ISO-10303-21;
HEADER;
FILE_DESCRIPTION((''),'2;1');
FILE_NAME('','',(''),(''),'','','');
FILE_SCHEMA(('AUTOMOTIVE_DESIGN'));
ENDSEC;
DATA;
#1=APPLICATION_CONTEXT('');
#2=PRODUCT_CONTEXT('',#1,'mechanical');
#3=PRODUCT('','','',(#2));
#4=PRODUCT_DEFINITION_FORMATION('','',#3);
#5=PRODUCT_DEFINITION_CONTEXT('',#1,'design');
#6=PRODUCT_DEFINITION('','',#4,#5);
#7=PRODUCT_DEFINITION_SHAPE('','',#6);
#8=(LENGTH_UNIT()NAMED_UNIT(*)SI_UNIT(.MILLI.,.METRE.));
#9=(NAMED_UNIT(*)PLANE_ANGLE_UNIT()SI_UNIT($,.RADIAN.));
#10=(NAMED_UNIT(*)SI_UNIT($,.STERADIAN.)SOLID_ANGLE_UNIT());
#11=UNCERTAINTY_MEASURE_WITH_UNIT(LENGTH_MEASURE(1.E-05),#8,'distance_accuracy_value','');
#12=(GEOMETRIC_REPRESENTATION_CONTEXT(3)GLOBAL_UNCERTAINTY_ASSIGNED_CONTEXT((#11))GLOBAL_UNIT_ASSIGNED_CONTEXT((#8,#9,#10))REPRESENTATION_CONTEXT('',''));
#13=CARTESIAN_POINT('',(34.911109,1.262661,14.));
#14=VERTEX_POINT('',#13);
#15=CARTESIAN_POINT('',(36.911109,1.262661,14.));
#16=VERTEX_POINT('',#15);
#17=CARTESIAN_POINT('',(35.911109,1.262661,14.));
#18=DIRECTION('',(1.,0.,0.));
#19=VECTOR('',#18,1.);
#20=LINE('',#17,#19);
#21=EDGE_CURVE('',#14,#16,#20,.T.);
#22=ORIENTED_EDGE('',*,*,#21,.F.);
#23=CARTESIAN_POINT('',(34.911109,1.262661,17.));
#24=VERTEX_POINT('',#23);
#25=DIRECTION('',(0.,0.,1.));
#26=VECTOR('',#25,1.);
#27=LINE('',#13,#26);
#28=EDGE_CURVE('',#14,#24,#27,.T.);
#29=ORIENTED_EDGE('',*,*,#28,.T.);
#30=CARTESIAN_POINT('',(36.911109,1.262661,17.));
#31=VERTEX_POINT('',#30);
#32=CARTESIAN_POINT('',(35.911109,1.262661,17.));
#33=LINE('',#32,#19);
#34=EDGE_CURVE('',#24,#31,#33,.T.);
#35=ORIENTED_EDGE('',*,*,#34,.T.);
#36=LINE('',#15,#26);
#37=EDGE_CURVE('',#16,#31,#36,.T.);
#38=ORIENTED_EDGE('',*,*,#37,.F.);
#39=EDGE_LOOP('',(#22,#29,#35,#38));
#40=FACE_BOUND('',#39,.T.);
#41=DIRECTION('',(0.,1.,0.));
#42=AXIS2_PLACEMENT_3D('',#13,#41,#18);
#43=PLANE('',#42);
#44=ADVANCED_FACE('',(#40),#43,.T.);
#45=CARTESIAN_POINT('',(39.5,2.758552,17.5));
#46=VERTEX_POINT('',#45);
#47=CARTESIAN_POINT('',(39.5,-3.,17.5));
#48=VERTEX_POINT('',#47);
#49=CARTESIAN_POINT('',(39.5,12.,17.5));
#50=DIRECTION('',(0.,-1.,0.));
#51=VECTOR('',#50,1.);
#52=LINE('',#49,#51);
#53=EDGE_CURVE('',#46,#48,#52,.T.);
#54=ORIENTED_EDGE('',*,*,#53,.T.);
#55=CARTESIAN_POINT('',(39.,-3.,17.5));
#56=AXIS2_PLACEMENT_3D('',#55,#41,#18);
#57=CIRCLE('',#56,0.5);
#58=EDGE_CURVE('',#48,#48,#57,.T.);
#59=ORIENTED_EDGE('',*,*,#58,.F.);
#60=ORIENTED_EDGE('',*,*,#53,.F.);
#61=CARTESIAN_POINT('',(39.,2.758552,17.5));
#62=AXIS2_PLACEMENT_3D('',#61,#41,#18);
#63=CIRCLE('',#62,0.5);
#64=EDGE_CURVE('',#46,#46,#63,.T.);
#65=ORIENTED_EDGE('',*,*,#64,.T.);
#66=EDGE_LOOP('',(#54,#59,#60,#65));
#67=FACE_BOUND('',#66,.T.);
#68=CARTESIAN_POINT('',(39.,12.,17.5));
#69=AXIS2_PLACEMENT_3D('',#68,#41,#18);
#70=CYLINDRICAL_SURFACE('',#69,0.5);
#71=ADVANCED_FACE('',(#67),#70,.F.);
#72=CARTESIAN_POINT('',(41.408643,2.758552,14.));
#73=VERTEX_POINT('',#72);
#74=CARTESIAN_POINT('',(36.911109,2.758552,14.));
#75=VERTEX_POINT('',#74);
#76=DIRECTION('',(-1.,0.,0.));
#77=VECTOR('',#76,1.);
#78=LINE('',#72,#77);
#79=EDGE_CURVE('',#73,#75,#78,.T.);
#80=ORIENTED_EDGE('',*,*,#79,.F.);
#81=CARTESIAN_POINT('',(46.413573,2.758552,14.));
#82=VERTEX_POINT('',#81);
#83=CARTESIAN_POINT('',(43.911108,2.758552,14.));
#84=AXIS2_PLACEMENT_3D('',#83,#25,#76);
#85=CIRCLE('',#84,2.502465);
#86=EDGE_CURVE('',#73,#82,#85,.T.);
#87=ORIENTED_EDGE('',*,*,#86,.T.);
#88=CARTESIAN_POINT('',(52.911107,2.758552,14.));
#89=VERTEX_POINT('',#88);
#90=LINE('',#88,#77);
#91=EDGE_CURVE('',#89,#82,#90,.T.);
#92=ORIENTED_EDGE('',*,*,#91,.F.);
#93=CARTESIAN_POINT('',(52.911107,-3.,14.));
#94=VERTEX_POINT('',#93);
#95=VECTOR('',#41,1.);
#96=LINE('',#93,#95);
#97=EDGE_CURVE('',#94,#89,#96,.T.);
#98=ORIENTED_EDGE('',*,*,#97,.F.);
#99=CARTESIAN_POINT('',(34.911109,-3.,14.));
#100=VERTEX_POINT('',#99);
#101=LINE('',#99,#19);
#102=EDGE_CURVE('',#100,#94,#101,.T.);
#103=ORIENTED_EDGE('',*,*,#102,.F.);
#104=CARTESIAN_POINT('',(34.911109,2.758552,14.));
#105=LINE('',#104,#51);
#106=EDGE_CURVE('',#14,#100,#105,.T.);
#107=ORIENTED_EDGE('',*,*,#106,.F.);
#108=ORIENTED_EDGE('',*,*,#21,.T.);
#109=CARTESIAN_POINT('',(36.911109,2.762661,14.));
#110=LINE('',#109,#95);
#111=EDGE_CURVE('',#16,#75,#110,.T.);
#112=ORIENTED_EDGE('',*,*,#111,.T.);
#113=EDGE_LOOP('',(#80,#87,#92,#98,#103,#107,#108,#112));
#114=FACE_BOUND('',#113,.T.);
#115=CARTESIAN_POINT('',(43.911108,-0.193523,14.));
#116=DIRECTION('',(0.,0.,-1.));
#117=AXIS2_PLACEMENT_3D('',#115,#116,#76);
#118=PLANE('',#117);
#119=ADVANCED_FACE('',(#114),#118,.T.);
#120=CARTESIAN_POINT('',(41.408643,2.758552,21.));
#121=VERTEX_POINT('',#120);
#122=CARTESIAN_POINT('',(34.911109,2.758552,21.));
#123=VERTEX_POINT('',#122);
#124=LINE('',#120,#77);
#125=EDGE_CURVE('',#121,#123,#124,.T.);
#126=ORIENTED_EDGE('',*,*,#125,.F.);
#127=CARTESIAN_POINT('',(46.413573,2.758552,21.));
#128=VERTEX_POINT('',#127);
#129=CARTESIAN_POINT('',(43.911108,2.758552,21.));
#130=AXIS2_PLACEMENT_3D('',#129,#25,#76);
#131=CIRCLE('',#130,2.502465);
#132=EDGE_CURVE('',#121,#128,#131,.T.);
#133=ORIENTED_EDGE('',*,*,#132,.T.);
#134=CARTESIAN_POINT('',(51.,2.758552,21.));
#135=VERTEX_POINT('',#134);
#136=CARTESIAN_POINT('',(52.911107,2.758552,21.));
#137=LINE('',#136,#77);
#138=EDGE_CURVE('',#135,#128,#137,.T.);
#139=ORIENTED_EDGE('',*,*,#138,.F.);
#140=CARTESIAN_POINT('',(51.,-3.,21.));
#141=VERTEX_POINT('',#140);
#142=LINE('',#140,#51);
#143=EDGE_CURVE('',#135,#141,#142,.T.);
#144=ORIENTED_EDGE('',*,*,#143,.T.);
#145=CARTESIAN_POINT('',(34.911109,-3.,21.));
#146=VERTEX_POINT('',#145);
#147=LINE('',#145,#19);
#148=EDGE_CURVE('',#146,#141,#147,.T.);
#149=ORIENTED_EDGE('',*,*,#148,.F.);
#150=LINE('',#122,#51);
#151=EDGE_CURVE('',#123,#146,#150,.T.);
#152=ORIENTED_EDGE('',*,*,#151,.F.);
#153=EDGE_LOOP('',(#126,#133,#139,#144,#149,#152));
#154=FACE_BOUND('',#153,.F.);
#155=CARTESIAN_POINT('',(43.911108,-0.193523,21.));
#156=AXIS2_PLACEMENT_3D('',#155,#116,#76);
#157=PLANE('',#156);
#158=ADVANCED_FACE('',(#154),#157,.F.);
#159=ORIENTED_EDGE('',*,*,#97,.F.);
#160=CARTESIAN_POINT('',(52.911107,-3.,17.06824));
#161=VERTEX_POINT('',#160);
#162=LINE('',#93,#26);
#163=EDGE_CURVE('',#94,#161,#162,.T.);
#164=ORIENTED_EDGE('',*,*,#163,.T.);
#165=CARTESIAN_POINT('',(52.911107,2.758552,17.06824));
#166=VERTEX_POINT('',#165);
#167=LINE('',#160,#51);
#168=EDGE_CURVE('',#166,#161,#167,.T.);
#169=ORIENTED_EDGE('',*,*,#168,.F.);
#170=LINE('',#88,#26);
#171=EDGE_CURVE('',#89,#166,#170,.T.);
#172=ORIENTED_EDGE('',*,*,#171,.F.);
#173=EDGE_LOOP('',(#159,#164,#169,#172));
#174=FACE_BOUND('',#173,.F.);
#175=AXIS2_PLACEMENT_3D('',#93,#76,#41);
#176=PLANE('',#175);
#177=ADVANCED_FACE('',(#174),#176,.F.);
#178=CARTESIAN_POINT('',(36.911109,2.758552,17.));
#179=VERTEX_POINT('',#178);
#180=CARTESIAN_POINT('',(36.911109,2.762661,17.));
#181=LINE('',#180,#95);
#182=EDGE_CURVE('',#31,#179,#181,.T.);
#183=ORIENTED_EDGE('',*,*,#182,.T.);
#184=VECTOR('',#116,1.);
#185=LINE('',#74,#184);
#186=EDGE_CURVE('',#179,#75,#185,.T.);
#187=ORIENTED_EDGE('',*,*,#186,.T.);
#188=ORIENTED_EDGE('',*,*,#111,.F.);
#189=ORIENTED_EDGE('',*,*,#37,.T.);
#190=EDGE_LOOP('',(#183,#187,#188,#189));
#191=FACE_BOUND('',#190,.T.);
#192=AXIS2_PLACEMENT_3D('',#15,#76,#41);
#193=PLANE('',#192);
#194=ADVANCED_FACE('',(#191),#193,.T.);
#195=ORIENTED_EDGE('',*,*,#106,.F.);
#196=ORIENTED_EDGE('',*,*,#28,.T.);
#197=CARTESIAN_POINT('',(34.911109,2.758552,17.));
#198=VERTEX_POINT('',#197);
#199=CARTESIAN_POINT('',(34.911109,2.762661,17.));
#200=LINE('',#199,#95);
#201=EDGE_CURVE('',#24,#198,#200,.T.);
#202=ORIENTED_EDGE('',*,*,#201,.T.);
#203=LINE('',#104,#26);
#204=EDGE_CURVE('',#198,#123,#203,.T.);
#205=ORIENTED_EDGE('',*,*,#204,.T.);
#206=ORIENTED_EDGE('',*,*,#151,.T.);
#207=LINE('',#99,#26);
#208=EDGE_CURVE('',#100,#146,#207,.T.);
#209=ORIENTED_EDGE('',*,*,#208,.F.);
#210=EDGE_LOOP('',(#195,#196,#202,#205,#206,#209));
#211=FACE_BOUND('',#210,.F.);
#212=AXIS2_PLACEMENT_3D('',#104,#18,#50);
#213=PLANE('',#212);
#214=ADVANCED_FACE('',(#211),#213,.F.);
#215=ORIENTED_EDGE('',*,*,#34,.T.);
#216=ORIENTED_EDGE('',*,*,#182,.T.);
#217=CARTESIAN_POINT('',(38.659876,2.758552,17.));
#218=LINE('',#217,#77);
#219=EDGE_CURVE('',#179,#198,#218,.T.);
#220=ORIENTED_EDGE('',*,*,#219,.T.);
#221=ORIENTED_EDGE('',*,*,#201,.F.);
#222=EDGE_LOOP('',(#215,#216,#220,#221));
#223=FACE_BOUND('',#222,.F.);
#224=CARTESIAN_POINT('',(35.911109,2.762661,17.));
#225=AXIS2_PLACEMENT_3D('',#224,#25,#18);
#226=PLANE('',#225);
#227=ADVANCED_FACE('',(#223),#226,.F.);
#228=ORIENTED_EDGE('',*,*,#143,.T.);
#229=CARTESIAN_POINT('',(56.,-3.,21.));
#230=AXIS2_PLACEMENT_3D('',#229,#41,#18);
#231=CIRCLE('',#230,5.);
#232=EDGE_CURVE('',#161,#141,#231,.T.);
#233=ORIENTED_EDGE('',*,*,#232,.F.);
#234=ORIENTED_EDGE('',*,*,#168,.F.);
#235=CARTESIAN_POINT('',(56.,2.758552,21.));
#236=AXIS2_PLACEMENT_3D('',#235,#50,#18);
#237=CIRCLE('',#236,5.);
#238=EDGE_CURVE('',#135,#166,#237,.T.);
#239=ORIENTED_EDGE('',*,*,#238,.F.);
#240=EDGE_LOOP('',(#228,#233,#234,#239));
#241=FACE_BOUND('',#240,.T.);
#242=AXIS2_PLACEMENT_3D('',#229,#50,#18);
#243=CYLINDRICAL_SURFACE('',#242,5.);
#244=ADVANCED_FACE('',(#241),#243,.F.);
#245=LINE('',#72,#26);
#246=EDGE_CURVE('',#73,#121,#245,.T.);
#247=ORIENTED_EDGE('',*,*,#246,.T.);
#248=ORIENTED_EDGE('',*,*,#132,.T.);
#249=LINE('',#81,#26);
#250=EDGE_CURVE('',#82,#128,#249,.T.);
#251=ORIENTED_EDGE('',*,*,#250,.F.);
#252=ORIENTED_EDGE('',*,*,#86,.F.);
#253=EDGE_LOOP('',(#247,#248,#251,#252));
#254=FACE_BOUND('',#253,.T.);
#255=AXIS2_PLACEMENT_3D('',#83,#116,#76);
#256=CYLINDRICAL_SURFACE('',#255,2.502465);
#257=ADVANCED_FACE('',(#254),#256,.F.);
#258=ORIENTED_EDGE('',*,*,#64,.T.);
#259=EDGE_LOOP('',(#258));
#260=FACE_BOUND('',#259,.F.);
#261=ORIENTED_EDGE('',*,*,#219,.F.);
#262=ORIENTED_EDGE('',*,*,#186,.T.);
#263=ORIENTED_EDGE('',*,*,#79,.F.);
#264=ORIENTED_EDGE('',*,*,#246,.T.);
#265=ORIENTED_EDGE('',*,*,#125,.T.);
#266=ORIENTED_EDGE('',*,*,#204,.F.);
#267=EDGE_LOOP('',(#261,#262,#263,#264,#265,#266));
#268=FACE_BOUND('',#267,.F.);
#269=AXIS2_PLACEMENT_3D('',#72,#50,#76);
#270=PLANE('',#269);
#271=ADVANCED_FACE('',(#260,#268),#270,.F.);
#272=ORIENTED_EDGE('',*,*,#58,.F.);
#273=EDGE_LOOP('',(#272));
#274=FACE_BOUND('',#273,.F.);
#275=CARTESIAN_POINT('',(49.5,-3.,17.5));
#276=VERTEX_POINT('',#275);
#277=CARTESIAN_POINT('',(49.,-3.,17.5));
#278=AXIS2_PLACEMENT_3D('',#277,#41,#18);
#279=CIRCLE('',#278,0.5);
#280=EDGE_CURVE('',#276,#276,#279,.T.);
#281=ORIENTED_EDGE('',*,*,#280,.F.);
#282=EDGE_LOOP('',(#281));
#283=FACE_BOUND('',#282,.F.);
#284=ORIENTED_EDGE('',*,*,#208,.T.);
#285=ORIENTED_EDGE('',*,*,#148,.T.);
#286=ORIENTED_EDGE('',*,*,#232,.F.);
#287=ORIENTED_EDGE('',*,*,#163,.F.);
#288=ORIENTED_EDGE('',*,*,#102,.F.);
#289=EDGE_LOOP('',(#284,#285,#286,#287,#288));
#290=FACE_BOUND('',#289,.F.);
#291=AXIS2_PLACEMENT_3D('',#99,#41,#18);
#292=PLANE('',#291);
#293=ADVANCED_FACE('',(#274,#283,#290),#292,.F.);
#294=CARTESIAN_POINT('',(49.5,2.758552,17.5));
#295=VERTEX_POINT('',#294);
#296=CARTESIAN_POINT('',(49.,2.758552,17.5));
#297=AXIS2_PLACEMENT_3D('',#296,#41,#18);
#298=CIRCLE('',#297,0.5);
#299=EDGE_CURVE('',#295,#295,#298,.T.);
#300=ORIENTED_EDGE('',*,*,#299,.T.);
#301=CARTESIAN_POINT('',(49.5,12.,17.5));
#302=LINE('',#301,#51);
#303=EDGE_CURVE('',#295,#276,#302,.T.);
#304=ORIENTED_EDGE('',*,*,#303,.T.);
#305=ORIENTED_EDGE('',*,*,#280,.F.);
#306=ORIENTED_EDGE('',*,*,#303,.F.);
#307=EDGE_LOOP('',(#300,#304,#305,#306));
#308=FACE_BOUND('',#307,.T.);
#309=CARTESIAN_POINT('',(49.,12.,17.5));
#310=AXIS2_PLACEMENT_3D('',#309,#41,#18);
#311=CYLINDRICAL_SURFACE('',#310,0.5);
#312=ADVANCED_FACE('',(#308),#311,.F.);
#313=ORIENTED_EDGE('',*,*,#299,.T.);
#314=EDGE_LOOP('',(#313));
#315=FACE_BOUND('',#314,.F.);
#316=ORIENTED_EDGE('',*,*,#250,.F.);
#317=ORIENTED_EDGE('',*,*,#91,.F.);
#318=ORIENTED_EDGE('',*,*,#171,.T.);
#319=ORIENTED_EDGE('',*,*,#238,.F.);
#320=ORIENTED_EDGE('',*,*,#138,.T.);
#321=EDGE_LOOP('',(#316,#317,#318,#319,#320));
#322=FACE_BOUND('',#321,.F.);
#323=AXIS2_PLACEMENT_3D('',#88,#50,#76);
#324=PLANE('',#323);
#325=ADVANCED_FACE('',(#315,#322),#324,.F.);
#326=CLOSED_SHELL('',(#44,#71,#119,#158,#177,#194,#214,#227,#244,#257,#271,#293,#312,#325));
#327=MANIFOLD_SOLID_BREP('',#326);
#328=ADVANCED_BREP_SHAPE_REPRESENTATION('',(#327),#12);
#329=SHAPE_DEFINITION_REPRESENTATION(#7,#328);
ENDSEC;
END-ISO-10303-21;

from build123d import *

# Parameters (mm, degrees)
CYLINDER024_R     = 0.5
CYLINDER024_DEPTH = 20
CYLINDER025_R     = 0.5
CYLINDER025_DEPTH = 20
CYLINDER007_R     = 5
CYLINDER007_DEPTH = 13
PAD006_DEPTH      = 7
SKETCH064_W       = 2
SKETCH064_H       = 3
POCKET006_DEPTH   = 3


with BuildPart() as cylinder024:
    # Cylinder024 → Cylinder024 (new body)
    with BuildSketch(Plane(origin=(39, 12, 17.5), x_dir=(1, 0, 0), z_dir=(0, -1, 0))):
        Circle(CYLINDER024_R)
    extrude(amount=CYLINDER024_DEPTH)


with BuildPart() as fusion025:
    # Cylinder025 → Cylinder025 (new body)
    with BuildSketch(Plane(origin=(49, 12, 17.5), x_dir=(1, 0, 0), z_dir=(0, -1, 0))):
        Circle(CYLINDER025_R)
    extrude(amount=CYLINDER025_DEPTH)

    # Fusion025: union Cylinder024
    add(cylinder024.part)


with BuildPart() as cylinder007:
    # Cylinder007 → Cylinder007 (new body)
    with BuildSketch(Plane(origin=(56, -3, 21), x_dir=(1, 0, 0), z_dir=(0, 1, 0))):
        Circle(CYLINDER007_R)
    extrude(amount=CYLINDER007_DEPTH)


with BuildPart() as potbottommount:
    # Sketch054 → Pad006 (new body)
    with BuildSketch(Plane.XY):
        with BuildLine():
            ThreePointArc((41.408643, 2.758552), (43.911108, 0.256087), (46.413573, 2.758552))
            Line((52.911107, 2.758552), (46.413573, 2.758552))
            Line((52.911107, -3), (52.911107, 2.758552))
            Line((34.911109, -3), (52.911107, -3))
            Line((34.911109, 2.758552), (34.911109, -3))
            Line((41.408643, 2.758552), (34.911109, 2.758552))
        make_face()
    extrude(amount=PAD006_DEPTH)

    # Sketch064 → Pocket006 (cut)
    with BuildSketch(Plane.XY):
        with Locations((35.911109, 2.762661)):
            Rectangle(SKETCH064_W, SKETCH064_H)
    extrude(amount=POCKET006_DEPTH, mode=Mode.SUBTRACT)


with BuildPart() as potbottommount_1:
    # Body006 placement: moved
    add(potbottommount.part.moved(Location((0, 0, 14))))

    # Cut004: cut Cylinder007
    add(cylinder007.part, mode=Mode.SUBTRACT)

    # Cut018: cut Fusion025
    add(fusion025.part, mode=Mode.SUBTRACT)


solid = potbottommount_1.part
